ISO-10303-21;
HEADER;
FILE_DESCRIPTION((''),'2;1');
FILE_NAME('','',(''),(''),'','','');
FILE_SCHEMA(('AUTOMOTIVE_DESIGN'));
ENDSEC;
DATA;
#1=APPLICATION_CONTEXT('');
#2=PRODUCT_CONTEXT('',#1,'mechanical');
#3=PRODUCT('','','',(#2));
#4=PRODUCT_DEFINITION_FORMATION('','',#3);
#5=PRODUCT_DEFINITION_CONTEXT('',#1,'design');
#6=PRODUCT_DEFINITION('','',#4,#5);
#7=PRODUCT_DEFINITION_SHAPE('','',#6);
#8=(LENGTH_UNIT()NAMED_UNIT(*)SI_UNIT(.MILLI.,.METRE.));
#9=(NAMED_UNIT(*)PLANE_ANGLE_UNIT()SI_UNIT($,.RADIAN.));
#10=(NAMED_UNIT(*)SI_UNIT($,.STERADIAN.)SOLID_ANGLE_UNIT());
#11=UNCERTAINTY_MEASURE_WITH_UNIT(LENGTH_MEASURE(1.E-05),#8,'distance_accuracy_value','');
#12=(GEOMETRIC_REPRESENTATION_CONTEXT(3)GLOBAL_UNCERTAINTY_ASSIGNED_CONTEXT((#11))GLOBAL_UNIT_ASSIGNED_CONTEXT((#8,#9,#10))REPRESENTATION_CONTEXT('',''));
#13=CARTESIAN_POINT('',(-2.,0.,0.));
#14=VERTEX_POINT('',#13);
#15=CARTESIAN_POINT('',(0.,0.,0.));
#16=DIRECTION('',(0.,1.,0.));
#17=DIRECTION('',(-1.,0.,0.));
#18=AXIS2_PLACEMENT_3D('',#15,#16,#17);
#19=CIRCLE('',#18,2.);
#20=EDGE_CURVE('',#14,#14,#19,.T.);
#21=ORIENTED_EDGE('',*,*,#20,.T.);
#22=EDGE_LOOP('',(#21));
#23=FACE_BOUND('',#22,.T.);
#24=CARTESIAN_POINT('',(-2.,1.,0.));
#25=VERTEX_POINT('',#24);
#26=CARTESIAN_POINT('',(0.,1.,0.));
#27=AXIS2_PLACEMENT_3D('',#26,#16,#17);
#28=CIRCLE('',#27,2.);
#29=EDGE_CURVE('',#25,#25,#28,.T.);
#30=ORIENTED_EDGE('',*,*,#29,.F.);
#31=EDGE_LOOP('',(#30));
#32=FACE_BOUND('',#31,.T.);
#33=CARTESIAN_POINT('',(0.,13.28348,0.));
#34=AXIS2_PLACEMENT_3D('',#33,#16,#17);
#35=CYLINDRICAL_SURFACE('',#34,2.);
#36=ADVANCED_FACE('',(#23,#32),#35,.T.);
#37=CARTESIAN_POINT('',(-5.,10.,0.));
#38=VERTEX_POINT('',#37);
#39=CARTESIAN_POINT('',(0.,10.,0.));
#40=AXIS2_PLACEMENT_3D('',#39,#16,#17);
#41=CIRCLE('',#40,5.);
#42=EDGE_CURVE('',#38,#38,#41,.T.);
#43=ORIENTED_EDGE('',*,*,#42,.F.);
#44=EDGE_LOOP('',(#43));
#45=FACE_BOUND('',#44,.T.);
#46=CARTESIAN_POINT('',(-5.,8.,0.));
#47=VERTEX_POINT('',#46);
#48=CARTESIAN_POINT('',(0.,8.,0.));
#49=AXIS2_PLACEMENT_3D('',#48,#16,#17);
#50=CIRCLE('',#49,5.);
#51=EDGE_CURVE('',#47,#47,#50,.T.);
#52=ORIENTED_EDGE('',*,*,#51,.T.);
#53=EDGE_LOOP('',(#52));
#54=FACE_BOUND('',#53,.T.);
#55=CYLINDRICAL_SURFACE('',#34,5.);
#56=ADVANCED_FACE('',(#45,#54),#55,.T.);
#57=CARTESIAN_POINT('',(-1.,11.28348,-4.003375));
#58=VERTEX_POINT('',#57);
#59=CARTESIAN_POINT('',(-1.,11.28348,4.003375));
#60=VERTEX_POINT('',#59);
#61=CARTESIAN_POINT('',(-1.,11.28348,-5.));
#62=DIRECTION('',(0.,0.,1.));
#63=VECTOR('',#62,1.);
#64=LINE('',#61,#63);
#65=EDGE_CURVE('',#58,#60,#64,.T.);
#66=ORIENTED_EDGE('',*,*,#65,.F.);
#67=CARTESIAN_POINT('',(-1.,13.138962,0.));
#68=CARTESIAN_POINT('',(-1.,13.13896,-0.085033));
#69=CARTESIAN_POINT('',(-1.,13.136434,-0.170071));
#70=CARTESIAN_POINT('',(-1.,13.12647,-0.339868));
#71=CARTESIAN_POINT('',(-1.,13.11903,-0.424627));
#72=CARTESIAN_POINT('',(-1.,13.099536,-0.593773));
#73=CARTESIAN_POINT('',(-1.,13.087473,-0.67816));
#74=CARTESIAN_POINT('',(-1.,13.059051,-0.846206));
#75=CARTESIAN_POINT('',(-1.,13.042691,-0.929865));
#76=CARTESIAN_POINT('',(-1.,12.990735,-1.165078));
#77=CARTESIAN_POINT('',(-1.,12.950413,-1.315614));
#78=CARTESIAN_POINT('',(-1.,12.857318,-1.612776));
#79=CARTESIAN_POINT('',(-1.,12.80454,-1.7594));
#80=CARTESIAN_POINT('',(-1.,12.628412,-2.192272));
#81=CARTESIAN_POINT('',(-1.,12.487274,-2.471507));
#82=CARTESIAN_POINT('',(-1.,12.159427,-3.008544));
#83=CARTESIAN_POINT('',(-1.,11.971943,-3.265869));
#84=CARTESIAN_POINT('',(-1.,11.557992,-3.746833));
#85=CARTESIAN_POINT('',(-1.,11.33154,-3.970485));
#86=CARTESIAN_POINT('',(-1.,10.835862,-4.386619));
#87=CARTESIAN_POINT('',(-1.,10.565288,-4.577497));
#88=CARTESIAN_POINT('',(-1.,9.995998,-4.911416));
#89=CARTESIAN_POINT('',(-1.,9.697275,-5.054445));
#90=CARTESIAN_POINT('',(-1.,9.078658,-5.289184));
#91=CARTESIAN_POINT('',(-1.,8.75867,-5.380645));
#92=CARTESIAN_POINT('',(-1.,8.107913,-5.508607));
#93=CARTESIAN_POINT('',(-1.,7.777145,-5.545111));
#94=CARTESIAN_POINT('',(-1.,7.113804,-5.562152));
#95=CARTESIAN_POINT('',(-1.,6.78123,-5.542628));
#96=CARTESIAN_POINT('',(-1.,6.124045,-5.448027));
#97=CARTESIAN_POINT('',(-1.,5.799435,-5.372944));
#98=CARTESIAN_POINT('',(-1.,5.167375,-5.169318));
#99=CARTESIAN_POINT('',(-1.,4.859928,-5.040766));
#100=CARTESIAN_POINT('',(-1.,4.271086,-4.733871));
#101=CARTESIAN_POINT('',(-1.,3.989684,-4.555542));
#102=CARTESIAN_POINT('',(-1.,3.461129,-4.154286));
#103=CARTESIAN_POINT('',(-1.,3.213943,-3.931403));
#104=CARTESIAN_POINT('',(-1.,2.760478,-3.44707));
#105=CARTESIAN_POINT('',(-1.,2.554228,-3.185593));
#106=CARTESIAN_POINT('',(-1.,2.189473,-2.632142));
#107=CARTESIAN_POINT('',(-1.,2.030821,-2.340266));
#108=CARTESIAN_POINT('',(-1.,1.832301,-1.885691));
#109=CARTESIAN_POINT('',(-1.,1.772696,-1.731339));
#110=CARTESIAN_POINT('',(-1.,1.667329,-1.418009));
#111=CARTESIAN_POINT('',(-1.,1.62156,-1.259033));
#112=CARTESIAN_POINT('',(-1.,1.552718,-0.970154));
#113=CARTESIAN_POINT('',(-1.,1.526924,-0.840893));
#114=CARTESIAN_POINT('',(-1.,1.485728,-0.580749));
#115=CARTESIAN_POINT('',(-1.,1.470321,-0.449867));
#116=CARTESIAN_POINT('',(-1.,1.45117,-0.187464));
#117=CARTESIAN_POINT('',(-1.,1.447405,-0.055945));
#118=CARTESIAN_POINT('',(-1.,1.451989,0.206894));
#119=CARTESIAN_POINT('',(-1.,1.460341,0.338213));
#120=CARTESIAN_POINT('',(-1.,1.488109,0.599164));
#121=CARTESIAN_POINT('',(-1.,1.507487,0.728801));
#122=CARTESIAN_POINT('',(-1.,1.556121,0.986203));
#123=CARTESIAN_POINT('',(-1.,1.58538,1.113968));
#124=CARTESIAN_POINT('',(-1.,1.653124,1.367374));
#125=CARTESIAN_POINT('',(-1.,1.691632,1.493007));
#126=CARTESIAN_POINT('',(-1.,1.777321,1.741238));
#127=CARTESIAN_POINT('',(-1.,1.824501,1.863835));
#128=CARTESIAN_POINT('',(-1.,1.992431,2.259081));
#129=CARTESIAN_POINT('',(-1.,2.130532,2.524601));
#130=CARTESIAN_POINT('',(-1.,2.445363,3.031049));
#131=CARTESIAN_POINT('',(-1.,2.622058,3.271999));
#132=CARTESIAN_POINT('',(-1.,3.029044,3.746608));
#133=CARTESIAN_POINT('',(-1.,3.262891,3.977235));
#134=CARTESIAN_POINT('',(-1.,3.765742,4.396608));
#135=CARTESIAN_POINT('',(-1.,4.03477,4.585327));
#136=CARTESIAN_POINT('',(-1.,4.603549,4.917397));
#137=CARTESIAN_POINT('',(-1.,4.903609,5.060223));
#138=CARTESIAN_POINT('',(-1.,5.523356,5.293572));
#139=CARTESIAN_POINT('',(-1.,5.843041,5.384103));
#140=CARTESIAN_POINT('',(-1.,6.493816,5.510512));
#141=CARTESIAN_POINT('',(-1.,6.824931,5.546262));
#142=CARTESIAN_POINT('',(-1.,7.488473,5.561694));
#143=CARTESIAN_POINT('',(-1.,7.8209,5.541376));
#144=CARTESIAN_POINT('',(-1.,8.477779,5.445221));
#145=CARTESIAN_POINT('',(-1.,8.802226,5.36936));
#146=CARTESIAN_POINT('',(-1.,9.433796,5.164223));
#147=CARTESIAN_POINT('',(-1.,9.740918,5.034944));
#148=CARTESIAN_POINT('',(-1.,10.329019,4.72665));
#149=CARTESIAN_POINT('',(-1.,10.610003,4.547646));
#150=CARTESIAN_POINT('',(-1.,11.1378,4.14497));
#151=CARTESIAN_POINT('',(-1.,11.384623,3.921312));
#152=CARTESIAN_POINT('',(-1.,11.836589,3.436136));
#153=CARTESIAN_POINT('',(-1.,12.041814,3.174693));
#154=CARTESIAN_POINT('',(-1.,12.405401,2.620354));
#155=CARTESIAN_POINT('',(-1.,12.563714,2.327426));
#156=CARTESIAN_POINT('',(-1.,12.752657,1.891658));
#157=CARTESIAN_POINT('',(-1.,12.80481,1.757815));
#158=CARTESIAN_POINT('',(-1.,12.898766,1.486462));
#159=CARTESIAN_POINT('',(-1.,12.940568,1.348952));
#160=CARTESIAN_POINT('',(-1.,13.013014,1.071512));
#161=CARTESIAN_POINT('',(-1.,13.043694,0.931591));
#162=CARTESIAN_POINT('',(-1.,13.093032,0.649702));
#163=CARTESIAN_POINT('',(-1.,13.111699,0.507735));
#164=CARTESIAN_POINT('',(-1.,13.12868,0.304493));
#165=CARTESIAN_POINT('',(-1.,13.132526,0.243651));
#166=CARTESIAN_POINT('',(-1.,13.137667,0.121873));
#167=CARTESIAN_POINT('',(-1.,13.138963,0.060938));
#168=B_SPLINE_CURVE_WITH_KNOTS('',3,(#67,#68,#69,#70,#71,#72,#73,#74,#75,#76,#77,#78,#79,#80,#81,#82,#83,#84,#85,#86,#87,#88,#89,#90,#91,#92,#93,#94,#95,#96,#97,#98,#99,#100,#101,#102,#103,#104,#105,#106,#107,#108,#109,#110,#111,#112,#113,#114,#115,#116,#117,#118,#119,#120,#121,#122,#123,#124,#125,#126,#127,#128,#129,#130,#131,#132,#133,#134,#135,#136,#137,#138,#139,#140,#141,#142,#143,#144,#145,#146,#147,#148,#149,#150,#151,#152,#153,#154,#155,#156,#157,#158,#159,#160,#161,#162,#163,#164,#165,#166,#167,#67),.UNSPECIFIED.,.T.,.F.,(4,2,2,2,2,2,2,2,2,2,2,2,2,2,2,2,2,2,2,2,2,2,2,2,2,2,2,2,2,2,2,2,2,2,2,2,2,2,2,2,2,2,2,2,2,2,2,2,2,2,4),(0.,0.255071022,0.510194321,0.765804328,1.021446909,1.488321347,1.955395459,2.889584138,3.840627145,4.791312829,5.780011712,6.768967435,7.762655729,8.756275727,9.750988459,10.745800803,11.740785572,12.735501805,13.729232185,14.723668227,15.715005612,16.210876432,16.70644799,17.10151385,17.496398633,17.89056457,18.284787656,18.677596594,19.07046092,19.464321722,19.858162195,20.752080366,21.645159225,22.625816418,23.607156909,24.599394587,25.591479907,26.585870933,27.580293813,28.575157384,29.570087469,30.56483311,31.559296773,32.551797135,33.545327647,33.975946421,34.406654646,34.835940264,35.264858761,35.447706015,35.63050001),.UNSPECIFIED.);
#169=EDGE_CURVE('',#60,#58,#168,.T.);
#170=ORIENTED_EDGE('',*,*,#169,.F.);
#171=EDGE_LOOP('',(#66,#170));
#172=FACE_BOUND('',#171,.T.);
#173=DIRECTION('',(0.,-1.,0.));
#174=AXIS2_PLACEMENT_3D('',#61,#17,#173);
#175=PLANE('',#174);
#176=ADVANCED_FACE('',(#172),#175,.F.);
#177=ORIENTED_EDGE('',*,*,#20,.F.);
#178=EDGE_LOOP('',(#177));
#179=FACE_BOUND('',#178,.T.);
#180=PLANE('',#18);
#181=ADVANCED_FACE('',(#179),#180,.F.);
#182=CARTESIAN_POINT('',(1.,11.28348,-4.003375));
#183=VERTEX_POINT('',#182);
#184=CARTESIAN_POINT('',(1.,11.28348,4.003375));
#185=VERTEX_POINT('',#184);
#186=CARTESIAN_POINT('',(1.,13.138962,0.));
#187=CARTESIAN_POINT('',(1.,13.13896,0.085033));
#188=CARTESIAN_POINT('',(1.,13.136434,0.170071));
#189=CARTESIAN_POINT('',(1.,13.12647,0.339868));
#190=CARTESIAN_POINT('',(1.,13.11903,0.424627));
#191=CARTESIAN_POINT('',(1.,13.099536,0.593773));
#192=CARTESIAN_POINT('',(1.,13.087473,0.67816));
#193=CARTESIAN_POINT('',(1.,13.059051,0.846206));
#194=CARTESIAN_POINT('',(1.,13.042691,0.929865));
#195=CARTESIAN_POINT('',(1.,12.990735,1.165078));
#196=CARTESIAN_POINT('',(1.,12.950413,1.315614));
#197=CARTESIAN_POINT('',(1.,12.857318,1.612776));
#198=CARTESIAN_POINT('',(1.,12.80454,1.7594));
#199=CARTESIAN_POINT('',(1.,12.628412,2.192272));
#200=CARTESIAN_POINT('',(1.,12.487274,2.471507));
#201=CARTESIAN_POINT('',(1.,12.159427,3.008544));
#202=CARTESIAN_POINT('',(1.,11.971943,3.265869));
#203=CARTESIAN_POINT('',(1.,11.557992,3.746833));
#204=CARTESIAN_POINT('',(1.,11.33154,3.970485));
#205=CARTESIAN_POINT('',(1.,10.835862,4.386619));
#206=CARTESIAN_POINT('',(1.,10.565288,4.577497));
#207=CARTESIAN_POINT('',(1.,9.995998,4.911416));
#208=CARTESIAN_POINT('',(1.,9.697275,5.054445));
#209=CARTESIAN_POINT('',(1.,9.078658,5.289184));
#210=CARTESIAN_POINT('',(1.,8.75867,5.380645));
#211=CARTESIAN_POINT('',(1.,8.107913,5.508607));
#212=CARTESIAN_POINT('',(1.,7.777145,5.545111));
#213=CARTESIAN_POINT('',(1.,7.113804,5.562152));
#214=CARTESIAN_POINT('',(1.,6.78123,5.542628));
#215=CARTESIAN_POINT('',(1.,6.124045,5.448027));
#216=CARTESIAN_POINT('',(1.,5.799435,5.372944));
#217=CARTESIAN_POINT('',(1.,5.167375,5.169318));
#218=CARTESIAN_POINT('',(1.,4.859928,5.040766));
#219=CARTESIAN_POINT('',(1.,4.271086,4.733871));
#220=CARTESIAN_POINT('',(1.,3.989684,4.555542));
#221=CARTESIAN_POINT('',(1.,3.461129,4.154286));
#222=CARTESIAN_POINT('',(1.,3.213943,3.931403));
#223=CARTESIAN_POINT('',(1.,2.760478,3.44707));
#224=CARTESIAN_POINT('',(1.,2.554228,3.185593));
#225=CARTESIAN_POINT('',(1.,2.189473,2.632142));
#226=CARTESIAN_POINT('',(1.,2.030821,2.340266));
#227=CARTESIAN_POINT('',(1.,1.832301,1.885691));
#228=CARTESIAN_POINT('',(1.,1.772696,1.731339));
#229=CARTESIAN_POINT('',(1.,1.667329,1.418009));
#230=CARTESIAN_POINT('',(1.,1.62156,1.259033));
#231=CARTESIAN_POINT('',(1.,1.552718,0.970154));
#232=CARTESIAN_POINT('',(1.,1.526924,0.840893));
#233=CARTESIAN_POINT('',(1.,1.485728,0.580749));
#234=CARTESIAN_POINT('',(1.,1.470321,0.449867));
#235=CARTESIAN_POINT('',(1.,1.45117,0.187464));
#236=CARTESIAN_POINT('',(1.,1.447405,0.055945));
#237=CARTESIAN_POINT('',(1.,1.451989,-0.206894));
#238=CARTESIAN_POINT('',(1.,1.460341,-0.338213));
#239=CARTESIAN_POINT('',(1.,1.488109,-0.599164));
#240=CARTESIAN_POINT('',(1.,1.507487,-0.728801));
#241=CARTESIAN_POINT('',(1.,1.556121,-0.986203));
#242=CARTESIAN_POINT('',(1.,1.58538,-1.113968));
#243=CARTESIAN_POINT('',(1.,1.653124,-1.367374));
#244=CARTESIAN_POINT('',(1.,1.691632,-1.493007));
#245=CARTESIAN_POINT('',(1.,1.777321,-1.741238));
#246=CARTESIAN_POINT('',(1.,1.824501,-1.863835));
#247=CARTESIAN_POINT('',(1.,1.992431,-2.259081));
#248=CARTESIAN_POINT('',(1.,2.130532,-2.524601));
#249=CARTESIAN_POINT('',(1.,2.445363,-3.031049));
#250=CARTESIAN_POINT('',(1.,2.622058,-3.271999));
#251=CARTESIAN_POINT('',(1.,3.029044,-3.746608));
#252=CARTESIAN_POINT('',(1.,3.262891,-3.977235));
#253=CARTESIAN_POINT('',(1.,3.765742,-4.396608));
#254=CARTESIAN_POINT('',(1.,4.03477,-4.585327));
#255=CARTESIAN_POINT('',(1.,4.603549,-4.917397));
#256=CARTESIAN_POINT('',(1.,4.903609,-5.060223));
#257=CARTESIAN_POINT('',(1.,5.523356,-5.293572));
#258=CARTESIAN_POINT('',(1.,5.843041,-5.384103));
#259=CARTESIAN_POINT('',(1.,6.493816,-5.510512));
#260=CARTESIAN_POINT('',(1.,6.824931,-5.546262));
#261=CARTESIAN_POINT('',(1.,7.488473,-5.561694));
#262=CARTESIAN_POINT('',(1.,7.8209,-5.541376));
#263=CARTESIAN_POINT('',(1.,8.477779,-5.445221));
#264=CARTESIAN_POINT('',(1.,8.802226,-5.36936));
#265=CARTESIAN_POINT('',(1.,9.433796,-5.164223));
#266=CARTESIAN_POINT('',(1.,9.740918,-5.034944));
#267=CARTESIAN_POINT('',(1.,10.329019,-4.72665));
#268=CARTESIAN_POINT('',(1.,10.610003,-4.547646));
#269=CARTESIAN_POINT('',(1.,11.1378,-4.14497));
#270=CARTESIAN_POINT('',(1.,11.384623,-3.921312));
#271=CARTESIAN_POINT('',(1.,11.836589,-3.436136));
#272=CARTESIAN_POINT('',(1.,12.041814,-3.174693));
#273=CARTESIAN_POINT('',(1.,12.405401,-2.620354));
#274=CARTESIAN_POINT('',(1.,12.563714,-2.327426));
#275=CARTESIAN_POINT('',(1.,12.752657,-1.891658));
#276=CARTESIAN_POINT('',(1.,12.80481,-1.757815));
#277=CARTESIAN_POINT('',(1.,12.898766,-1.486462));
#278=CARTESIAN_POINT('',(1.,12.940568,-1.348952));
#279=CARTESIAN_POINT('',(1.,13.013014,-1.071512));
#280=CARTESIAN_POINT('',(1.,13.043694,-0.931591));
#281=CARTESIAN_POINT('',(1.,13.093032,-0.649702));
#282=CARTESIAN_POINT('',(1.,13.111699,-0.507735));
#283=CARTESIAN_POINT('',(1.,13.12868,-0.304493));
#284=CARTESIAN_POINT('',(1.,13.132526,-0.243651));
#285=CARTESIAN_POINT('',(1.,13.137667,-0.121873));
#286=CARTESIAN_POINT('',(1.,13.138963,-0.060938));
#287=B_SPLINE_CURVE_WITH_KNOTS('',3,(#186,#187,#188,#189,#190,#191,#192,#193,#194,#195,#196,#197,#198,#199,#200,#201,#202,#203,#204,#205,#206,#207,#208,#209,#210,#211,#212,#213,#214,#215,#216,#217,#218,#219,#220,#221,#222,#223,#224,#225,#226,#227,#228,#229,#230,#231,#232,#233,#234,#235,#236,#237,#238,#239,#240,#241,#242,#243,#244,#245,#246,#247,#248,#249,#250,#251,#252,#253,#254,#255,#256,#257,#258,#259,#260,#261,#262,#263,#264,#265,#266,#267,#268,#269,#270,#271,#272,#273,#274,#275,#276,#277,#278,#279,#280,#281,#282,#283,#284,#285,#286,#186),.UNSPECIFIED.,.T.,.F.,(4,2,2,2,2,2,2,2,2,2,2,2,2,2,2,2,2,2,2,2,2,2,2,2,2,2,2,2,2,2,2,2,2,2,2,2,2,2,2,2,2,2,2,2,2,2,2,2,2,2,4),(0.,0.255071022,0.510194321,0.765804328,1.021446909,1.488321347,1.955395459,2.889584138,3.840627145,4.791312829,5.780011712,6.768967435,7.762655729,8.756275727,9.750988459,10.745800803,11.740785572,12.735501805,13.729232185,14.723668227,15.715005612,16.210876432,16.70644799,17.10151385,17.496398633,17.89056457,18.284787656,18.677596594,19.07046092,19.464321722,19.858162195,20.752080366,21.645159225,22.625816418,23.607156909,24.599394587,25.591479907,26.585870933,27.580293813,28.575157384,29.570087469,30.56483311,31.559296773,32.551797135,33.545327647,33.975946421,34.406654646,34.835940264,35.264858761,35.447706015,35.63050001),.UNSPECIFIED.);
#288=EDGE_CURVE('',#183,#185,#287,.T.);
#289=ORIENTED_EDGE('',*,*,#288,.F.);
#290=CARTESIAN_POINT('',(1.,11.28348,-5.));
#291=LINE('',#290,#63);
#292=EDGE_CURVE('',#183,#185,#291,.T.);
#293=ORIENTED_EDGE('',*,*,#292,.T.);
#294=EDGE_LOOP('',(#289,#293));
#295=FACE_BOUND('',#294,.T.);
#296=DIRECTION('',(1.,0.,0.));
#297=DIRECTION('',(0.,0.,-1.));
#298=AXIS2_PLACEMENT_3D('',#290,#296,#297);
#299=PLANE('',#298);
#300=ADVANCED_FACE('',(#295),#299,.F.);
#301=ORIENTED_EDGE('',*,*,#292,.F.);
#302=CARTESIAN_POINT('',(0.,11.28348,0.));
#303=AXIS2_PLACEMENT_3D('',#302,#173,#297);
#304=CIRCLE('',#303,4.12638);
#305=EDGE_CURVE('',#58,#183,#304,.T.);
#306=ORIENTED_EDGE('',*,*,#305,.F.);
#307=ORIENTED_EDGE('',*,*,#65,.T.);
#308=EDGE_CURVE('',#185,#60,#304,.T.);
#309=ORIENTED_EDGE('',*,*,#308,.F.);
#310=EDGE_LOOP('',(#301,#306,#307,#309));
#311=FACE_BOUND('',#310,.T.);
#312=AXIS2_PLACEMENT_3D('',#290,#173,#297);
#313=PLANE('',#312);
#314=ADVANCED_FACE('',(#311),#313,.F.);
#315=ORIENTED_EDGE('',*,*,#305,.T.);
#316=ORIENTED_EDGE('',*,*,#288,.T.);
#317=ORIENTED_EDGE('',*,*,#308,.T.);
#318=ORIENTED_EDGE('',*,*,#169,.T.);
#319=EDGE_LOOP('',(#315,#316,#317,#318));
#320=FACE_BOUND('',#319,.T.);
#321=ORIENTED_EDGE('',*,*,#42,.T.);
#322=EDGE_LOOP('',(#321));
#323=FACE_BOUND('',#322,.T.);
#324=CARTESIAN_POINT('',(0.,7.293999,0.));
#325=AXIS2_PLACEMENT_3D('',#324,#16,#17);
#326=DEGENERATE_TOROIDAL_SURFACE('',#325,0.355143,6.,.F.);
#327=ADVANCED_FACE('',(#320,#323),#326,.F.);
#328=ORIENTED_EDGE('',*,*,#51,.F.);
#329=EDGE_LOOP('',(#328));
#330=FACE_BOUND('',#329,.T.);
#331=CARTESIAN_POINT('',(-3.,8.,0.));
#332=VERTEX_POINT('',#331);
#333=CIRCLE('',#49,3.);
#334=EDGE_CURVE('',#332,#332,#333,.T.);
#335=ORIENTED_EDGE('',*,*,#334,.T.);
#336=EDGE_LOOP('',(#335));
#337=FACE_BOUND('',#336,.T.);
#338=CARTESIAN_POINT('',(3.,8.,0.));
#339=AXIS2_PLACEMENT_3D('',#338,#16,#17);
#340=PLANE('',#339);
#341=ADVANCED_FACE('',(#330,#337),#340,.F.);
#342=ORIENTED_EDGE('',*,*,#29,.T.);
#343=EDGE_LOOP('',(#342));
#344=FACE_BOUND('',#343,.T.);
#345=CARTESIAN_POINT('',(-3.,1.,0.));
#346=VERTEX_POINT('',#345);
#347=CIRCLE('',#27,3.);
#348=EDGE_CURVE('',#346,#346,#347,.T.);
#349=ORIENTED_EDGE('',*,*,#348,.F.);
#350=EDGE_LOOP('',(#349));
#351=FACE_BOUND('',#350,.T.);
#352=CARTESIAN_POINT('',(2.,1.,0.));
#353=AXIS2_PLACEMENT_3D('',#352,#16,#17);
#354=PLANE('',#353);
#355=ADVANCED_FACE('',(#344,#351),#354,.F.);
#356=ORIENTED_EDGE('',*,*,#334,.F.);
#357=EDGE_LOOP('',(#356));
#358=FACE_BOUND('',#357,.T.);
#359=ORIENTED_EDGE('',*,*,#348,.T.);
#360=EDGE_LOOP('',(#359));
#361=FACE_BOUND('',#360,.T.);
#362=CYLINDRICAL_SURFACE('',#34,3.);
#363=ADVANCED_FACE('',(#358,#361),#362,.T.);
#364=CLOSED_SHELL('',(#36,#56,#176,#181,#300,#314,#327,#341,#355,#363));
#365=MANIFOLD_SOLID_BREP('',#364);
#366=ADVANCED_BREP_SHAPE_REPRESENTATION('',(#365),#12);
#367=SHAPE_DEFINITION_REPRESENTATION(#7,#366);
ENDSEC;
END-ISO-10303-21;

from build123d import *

# Parameters (mm, degrees)
SKETCH2_W               = 2
SKETCH2_H               = 4
CUT_EXTRUDE1_DEPTH      = 6.0000001
CUT_EXTRUDE1_DEPTH_BACK = 6.0000001


with BuildPart() as part:
    # Sketch1 → Revolve1 (revolve)
    with BuildSketch(Plane.XY):
        with BuildLine():
            Line((0, 0), (2, 0))
            Line((2, 0), (2, 1))
            Line((2, 1), (3, 1))
            Line((3, 1), (3, 8))
            Line((3, 8), (5, 8))
            Line((5, 8), (5, 10))
            ThreePointArc((5, 10), (2.938358294, 12.309260763), (0, 13.283479594))
            Line((0, 13.283479594), (0, 0))
        make_face()
    revolve(axis=Axis((0, 13.283479594, 0), (0, -1, 0)))

    # Sketch2 → Cut-Extrude1 (cut, two sides)
    with BuildSketch(Plane.XY) as cut_extrude1_sk:
        with Locations((0, 13.283479594)):
            Rectangle(SKETCH2_W, SKETCH2_H)
    extrude(amount=CUT_EXTRUDE1_DEPTH, mode=Mode.SUBTRACT)
    extrude(cut_extrude1_sk.sketch, amount=-CUT_EXTRUDE1_DEPTH_BACK, mode=Mode.SUBTRACT)


solid = part.part
